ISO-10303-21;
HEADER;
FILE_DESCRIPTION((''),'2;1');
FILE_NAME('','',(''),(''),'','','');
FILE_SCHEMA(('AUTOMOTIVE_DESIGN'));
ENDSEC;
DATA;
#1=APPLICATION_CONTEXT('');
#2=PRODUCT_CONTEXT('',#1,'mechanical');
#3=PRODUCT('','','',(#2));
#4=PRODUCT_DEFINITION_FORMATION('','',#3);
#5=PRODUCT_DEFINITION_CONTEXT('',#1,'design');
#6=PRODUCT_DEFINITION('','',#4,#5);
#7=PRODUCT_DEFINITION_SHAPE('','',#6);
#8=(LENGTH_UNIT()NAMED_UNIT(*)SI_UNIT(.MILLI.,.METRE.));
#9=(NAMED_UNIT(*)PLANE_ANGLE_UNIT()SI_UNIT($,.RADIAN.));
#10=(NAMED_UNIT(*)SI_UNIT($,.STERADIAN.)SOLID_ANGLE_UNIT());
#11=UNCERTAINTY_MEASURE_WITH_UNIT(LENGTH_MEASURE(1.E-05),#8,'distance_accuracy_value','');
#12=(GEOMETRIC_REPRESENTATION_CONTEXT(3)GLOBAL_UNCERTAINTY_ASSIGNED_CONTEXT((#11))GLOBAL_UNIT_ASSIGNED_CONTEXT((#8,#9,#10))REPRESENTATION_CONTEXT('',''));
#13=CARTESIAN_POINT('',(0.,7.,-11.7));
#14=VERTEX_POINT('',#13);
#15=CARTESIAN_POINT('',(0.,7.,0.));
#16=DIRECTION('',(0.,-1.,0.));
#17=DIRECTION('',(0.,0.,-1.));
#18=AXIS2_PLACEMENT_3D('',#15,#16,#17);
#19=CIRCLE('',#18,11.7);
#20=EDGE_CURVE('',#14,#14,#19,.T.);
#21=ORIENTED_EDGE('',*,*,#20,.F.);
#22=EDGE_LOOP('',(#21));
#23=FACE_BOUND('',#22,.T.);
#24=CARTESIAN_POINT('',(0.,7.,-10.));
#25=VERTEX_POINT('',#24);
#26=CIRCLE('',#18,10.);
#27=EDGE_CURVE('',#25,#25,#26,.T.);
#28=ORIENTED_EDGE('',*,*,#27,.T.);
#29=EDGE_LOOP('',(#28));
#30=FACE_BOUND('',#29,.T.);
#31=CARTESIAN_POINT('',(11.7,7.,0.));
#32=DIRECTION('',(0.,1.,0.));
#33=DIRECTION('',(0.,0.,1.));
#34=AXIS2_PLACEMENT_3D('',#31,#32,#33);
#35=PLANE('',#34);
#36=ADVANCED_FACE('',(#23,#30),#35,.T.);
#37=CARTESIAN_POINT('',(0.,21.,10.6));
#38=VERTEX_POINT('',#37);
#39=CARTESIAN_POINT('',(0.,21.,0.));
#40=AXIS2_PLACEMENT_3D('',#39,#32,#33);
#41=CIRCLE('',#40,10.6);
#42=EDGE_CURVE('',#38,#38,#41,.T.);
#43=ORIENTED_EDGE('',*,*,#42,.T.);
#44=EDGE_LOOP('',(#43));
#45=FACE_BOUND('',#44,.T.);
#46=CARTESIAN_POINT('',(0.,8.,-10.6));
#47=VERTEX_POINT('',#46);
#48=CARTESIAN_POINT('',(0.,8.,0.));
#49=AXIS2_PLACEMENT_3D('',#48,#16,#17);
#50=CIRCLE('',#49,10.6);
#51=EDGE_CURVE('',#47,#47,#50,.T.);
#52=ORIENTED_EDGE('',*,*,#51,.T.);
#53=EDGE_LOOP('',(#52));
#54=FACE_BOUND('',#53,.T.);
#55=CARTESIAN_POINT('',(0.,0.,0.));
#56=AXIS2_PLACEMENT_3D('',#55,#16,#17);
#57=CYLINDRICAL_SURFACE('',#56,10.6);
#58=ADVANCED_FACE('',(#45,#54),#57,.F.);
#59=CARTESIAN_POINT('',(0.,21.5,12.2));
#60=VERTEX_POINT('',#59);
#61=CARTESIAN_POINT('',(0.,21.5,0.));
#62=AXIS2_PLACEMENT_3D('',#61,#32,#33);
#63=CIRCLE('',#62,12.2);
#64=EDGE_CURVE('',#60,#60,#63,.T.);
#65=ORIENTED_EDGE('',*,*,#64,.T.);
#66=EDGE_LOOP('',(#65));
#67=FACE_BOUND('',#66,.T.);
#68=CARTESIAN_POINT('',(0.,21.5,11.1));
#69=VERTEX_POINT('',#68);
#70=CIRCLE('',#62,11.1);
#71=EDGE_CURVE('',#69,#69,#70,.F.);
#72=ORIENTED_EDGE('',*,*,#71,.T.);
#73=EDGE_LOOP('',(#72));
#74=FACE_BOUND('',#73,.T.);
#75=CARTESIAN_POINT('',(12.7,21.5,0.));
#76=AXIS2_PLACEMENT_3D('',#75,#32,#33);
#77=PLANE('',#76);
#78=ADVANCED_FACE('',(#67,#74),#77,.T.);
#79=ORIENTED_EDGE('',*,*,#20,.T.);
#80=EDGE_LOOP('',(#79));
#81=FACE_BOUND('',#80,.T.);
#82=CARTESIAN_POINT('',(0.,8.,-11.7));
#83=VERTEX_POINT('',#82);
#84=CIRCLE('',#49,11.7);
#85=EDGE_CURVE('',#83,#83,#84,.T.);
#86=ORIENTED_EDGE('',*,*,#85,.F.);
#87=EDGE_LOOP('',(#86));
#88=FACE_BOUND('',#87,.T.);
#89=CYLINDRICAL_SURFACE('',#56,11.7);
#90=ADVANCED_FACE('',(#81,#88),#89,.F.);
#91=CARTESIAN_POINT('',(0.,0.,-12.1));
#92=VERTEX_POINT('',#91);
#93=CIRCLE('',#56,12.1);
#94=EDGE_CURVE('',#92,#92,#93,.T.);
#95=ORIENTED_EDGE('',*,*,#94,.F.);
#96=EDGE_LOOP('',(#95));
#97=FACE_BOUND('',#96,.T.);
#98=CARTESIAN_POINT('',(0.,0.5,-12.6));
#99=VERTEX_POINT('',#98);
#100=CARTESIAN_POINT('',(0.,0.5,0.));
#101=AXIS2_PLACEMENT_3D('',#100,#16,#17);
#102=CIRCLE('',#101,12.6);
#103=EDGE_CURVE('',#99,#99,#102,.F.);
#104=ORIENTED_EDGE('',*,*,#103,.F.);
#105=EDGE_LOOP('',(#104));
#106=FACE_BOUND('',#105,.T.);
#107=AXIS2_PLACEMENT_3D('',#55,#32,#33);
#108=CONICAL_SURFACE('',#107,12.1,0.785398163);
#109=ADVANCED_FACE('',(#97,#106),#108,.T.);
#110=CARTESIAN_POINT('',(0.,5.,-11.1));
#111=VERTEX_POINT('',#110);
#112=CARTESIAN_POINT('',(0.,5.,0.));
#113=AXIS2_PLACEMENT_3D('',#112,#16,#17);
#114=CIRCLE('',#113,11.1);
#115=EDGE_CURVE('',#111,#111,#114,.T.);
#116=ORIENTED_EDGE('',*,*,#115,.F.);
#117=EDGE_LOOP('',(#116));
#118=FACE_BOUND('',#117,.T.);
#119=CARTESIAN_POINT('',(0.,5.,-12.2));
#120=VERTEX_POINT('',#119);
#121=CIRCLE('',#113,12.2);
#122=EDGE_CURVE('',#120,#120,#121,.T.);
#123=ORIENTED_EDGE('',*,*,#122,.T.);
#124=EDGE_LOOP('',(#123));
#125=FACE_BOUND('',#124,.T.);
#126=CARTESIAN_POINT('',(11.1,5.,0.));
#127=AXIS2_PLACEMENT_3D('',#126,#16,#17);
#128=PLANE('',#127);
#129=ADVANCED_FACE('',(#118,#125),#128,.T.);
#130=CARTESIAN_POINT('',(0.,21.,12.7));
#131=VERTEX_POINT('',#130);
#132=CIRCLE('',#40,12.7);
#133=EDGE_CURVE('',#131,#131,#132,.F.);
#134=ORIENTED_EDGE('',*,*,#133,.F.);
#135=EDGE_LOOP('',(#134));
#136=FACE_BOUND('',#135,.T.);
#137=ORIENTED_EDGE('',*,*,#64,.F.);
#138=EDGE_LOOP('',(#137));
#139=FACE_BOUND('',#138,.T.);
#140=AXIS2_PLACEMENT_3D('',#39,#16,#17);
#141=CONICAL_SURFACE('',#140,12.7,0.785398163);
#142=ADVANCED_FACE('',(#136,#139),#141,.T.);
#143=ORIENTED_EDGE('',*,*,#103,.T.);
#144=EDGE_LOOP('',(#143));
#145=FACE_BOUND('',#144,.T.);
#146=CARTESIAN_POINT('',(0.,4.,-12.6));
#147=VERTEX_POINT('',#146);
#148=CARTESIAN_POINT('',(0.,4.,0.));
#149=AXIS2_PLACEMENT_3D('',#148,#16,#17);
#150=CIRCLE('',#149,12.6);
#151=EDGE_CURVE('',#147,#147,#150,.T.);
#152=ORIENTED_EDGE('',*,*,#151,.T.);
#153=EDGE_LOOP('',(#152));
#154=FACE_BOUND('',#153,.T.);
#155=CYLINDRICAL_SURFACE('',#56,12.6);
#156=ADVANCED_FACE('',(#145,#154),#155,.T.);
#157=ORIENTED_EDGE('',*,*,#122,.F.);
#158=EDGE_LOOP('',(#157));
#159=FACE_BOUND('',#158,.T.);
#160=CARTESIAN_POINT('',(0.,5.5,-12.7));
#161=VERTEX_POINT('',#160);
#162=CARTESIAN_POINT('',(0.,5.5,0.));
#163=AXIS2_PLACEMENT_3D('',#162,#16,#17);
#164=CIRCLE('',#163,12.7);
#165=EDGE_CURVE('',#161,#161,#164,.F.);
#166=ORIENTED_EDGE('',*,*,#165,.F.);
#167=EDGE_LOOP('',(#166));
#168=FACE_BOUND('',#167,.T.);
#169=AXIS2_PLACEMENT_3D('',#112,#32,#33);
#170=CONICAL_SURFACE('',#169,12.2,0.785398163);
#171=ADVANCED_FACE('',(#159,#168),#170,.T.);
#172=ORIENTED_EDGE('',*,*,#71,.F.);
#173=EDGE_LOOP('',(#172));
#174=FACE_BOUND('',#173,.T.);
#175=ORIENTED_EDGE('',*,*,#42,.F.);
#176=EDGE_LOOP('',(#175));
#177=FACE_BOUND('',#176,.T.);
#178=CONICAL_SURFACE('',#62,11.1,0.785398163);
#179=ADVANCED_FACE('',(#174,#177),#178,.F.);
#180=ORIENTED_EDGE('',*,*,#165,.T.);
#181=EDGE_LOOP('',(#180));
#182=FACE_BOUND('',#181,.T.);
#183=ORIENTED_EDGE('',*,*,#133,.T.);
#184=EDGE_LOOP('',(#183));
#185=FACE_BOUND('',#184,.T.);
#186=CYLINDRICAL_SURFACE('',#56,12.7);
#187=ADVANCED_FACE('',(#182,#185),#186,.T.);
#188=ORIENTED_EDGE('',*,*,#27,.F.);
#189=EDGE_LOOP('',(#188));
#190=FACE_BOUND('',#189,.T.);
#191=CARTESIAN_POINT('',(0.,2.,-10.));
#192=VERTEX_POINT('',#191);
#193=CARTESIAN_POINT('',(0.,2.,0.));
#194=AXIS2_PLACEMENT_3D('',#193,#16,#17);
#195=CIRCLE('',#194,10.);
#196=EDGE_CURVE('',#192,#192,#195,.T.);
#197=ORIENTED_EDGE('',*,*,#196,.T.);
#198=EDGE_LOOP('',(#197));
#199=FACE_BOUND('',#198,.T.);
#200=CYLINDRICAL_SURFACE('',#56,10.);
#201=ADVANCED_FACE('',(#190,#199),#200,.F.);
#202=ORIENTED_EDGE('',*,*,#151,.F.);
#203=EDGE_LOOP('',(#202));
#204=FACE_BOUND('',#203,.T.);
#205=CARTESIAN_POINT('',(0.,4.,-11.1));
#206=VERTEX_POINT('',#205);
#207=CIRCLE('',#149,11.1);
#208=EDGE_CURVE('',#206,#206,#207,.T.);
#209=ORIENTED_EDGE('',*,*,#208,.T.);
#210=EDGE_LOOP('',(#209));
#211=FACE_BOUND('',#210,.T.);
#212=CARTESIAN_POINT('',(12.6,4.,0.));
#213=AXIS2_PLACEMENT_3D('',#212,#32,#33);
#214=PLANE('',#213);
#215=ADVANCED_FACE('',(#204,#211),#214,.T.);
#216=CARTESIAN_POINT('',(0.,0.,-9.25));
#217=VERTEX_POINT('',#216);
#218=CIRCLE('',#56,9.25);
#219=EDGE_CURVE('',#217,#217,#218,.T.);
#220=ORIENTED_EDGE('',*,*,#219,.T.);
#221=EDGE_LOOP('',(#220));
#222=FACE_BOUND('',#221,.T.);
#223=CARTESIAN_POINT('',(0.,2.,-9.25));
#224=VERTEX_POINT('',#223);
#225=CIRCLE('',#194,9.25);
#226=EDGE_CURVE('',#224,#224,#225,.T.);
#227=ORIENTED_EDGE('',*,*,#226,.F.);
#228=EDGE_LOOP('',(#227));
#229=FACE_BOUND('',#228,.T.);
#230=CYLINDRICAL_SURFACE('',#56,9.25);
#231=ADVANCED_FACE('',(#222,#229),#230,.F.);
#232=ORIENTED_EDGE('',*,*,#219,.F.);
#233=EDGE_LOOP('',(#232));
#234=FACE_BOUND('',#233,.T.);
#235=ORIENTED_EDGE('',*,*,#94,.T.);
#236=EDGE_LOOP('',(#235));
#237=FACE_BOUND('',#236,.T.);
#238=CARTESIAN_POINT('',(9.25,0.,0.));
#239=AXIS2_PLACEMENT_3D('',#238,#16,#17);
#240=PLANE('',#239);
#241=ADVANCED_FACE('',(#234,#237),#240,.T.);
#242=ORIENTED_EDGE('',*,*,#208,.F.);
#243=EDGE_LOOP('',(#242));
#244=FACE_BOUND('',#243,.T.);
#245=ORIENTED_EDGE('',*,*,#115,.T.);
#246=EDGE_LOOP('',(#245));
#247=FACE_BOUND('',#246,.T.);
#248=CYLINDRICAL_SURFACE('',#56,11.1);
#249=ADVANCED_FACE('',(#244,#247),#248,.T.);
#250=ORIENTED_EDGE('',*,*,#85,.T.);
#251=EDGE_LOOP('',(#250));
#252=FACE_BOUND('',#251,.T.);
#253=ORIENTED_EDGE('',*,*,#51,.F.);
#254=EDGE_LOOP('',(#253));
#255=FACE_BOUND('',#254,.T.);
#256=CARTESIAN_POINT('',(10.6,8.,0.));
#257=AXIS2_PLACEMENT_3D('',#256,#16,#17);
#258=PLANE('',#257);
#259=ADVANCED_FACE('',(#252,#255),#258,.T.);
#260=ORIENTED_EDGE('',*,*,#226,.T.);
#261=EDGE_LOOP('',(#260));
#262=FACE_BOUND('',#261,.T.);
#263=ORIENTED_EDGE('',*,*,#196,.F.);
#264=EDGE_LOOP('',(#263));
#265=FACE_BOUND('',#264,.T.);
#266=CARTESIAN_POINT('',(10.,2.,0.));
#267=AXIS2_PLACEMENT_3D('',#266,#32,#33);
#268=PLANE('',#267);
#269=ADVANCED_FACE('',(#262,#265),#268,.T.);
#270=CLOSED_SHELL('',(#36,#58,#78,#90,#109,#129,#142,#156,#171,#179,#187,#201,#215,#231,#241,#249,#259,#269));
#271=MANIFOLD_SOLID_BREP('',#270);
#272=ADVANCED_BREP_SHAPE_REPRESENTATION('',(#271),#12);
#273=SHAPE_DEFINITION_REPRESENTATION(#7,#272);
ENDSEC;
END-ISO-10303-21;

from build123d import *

# Parameters (mm, degrees)
CHAMFER_1_SIZE = 0.5


with BuildPart() as part:
    # 草图1 → 旋转1 (revolve)
    with BuildSketch(Plane.XY, mode=Mode.PRIVATE) as revolve_1_sk:
        Polygon((9.25, 0), (12.6, 0), (12.6, 4), (11.1, 4), (11.1, 5), (12.7, 5), (12.7, 21.5), (10.6, 21.5), (10.6, 8), (11.7, 8), (11.7, 7), (10, 7), (10, 2), (9.25, 2), align=None)
    revolve(revolve_1_sk.sketch.rotate(Axis((0, 0, 0), (0, 1, 0)), 90), axis=Axis((0, 0, 0), (0, 1, 0)))  # turned: the seam where the file's is

    # 倒角1
    chamfer_1_edges = [part.edges().sort_by_distance(p)[0] for p in [
        (0, 21.5, 10.6),
        (0, 21.5, 12.7),
        (0, 5, 12.7),
        (0, 0, 12.6),
    ]]
    chamfer(chamfer_1_edges, length=CHAMFER_1_SIZE)


solid = part.part
